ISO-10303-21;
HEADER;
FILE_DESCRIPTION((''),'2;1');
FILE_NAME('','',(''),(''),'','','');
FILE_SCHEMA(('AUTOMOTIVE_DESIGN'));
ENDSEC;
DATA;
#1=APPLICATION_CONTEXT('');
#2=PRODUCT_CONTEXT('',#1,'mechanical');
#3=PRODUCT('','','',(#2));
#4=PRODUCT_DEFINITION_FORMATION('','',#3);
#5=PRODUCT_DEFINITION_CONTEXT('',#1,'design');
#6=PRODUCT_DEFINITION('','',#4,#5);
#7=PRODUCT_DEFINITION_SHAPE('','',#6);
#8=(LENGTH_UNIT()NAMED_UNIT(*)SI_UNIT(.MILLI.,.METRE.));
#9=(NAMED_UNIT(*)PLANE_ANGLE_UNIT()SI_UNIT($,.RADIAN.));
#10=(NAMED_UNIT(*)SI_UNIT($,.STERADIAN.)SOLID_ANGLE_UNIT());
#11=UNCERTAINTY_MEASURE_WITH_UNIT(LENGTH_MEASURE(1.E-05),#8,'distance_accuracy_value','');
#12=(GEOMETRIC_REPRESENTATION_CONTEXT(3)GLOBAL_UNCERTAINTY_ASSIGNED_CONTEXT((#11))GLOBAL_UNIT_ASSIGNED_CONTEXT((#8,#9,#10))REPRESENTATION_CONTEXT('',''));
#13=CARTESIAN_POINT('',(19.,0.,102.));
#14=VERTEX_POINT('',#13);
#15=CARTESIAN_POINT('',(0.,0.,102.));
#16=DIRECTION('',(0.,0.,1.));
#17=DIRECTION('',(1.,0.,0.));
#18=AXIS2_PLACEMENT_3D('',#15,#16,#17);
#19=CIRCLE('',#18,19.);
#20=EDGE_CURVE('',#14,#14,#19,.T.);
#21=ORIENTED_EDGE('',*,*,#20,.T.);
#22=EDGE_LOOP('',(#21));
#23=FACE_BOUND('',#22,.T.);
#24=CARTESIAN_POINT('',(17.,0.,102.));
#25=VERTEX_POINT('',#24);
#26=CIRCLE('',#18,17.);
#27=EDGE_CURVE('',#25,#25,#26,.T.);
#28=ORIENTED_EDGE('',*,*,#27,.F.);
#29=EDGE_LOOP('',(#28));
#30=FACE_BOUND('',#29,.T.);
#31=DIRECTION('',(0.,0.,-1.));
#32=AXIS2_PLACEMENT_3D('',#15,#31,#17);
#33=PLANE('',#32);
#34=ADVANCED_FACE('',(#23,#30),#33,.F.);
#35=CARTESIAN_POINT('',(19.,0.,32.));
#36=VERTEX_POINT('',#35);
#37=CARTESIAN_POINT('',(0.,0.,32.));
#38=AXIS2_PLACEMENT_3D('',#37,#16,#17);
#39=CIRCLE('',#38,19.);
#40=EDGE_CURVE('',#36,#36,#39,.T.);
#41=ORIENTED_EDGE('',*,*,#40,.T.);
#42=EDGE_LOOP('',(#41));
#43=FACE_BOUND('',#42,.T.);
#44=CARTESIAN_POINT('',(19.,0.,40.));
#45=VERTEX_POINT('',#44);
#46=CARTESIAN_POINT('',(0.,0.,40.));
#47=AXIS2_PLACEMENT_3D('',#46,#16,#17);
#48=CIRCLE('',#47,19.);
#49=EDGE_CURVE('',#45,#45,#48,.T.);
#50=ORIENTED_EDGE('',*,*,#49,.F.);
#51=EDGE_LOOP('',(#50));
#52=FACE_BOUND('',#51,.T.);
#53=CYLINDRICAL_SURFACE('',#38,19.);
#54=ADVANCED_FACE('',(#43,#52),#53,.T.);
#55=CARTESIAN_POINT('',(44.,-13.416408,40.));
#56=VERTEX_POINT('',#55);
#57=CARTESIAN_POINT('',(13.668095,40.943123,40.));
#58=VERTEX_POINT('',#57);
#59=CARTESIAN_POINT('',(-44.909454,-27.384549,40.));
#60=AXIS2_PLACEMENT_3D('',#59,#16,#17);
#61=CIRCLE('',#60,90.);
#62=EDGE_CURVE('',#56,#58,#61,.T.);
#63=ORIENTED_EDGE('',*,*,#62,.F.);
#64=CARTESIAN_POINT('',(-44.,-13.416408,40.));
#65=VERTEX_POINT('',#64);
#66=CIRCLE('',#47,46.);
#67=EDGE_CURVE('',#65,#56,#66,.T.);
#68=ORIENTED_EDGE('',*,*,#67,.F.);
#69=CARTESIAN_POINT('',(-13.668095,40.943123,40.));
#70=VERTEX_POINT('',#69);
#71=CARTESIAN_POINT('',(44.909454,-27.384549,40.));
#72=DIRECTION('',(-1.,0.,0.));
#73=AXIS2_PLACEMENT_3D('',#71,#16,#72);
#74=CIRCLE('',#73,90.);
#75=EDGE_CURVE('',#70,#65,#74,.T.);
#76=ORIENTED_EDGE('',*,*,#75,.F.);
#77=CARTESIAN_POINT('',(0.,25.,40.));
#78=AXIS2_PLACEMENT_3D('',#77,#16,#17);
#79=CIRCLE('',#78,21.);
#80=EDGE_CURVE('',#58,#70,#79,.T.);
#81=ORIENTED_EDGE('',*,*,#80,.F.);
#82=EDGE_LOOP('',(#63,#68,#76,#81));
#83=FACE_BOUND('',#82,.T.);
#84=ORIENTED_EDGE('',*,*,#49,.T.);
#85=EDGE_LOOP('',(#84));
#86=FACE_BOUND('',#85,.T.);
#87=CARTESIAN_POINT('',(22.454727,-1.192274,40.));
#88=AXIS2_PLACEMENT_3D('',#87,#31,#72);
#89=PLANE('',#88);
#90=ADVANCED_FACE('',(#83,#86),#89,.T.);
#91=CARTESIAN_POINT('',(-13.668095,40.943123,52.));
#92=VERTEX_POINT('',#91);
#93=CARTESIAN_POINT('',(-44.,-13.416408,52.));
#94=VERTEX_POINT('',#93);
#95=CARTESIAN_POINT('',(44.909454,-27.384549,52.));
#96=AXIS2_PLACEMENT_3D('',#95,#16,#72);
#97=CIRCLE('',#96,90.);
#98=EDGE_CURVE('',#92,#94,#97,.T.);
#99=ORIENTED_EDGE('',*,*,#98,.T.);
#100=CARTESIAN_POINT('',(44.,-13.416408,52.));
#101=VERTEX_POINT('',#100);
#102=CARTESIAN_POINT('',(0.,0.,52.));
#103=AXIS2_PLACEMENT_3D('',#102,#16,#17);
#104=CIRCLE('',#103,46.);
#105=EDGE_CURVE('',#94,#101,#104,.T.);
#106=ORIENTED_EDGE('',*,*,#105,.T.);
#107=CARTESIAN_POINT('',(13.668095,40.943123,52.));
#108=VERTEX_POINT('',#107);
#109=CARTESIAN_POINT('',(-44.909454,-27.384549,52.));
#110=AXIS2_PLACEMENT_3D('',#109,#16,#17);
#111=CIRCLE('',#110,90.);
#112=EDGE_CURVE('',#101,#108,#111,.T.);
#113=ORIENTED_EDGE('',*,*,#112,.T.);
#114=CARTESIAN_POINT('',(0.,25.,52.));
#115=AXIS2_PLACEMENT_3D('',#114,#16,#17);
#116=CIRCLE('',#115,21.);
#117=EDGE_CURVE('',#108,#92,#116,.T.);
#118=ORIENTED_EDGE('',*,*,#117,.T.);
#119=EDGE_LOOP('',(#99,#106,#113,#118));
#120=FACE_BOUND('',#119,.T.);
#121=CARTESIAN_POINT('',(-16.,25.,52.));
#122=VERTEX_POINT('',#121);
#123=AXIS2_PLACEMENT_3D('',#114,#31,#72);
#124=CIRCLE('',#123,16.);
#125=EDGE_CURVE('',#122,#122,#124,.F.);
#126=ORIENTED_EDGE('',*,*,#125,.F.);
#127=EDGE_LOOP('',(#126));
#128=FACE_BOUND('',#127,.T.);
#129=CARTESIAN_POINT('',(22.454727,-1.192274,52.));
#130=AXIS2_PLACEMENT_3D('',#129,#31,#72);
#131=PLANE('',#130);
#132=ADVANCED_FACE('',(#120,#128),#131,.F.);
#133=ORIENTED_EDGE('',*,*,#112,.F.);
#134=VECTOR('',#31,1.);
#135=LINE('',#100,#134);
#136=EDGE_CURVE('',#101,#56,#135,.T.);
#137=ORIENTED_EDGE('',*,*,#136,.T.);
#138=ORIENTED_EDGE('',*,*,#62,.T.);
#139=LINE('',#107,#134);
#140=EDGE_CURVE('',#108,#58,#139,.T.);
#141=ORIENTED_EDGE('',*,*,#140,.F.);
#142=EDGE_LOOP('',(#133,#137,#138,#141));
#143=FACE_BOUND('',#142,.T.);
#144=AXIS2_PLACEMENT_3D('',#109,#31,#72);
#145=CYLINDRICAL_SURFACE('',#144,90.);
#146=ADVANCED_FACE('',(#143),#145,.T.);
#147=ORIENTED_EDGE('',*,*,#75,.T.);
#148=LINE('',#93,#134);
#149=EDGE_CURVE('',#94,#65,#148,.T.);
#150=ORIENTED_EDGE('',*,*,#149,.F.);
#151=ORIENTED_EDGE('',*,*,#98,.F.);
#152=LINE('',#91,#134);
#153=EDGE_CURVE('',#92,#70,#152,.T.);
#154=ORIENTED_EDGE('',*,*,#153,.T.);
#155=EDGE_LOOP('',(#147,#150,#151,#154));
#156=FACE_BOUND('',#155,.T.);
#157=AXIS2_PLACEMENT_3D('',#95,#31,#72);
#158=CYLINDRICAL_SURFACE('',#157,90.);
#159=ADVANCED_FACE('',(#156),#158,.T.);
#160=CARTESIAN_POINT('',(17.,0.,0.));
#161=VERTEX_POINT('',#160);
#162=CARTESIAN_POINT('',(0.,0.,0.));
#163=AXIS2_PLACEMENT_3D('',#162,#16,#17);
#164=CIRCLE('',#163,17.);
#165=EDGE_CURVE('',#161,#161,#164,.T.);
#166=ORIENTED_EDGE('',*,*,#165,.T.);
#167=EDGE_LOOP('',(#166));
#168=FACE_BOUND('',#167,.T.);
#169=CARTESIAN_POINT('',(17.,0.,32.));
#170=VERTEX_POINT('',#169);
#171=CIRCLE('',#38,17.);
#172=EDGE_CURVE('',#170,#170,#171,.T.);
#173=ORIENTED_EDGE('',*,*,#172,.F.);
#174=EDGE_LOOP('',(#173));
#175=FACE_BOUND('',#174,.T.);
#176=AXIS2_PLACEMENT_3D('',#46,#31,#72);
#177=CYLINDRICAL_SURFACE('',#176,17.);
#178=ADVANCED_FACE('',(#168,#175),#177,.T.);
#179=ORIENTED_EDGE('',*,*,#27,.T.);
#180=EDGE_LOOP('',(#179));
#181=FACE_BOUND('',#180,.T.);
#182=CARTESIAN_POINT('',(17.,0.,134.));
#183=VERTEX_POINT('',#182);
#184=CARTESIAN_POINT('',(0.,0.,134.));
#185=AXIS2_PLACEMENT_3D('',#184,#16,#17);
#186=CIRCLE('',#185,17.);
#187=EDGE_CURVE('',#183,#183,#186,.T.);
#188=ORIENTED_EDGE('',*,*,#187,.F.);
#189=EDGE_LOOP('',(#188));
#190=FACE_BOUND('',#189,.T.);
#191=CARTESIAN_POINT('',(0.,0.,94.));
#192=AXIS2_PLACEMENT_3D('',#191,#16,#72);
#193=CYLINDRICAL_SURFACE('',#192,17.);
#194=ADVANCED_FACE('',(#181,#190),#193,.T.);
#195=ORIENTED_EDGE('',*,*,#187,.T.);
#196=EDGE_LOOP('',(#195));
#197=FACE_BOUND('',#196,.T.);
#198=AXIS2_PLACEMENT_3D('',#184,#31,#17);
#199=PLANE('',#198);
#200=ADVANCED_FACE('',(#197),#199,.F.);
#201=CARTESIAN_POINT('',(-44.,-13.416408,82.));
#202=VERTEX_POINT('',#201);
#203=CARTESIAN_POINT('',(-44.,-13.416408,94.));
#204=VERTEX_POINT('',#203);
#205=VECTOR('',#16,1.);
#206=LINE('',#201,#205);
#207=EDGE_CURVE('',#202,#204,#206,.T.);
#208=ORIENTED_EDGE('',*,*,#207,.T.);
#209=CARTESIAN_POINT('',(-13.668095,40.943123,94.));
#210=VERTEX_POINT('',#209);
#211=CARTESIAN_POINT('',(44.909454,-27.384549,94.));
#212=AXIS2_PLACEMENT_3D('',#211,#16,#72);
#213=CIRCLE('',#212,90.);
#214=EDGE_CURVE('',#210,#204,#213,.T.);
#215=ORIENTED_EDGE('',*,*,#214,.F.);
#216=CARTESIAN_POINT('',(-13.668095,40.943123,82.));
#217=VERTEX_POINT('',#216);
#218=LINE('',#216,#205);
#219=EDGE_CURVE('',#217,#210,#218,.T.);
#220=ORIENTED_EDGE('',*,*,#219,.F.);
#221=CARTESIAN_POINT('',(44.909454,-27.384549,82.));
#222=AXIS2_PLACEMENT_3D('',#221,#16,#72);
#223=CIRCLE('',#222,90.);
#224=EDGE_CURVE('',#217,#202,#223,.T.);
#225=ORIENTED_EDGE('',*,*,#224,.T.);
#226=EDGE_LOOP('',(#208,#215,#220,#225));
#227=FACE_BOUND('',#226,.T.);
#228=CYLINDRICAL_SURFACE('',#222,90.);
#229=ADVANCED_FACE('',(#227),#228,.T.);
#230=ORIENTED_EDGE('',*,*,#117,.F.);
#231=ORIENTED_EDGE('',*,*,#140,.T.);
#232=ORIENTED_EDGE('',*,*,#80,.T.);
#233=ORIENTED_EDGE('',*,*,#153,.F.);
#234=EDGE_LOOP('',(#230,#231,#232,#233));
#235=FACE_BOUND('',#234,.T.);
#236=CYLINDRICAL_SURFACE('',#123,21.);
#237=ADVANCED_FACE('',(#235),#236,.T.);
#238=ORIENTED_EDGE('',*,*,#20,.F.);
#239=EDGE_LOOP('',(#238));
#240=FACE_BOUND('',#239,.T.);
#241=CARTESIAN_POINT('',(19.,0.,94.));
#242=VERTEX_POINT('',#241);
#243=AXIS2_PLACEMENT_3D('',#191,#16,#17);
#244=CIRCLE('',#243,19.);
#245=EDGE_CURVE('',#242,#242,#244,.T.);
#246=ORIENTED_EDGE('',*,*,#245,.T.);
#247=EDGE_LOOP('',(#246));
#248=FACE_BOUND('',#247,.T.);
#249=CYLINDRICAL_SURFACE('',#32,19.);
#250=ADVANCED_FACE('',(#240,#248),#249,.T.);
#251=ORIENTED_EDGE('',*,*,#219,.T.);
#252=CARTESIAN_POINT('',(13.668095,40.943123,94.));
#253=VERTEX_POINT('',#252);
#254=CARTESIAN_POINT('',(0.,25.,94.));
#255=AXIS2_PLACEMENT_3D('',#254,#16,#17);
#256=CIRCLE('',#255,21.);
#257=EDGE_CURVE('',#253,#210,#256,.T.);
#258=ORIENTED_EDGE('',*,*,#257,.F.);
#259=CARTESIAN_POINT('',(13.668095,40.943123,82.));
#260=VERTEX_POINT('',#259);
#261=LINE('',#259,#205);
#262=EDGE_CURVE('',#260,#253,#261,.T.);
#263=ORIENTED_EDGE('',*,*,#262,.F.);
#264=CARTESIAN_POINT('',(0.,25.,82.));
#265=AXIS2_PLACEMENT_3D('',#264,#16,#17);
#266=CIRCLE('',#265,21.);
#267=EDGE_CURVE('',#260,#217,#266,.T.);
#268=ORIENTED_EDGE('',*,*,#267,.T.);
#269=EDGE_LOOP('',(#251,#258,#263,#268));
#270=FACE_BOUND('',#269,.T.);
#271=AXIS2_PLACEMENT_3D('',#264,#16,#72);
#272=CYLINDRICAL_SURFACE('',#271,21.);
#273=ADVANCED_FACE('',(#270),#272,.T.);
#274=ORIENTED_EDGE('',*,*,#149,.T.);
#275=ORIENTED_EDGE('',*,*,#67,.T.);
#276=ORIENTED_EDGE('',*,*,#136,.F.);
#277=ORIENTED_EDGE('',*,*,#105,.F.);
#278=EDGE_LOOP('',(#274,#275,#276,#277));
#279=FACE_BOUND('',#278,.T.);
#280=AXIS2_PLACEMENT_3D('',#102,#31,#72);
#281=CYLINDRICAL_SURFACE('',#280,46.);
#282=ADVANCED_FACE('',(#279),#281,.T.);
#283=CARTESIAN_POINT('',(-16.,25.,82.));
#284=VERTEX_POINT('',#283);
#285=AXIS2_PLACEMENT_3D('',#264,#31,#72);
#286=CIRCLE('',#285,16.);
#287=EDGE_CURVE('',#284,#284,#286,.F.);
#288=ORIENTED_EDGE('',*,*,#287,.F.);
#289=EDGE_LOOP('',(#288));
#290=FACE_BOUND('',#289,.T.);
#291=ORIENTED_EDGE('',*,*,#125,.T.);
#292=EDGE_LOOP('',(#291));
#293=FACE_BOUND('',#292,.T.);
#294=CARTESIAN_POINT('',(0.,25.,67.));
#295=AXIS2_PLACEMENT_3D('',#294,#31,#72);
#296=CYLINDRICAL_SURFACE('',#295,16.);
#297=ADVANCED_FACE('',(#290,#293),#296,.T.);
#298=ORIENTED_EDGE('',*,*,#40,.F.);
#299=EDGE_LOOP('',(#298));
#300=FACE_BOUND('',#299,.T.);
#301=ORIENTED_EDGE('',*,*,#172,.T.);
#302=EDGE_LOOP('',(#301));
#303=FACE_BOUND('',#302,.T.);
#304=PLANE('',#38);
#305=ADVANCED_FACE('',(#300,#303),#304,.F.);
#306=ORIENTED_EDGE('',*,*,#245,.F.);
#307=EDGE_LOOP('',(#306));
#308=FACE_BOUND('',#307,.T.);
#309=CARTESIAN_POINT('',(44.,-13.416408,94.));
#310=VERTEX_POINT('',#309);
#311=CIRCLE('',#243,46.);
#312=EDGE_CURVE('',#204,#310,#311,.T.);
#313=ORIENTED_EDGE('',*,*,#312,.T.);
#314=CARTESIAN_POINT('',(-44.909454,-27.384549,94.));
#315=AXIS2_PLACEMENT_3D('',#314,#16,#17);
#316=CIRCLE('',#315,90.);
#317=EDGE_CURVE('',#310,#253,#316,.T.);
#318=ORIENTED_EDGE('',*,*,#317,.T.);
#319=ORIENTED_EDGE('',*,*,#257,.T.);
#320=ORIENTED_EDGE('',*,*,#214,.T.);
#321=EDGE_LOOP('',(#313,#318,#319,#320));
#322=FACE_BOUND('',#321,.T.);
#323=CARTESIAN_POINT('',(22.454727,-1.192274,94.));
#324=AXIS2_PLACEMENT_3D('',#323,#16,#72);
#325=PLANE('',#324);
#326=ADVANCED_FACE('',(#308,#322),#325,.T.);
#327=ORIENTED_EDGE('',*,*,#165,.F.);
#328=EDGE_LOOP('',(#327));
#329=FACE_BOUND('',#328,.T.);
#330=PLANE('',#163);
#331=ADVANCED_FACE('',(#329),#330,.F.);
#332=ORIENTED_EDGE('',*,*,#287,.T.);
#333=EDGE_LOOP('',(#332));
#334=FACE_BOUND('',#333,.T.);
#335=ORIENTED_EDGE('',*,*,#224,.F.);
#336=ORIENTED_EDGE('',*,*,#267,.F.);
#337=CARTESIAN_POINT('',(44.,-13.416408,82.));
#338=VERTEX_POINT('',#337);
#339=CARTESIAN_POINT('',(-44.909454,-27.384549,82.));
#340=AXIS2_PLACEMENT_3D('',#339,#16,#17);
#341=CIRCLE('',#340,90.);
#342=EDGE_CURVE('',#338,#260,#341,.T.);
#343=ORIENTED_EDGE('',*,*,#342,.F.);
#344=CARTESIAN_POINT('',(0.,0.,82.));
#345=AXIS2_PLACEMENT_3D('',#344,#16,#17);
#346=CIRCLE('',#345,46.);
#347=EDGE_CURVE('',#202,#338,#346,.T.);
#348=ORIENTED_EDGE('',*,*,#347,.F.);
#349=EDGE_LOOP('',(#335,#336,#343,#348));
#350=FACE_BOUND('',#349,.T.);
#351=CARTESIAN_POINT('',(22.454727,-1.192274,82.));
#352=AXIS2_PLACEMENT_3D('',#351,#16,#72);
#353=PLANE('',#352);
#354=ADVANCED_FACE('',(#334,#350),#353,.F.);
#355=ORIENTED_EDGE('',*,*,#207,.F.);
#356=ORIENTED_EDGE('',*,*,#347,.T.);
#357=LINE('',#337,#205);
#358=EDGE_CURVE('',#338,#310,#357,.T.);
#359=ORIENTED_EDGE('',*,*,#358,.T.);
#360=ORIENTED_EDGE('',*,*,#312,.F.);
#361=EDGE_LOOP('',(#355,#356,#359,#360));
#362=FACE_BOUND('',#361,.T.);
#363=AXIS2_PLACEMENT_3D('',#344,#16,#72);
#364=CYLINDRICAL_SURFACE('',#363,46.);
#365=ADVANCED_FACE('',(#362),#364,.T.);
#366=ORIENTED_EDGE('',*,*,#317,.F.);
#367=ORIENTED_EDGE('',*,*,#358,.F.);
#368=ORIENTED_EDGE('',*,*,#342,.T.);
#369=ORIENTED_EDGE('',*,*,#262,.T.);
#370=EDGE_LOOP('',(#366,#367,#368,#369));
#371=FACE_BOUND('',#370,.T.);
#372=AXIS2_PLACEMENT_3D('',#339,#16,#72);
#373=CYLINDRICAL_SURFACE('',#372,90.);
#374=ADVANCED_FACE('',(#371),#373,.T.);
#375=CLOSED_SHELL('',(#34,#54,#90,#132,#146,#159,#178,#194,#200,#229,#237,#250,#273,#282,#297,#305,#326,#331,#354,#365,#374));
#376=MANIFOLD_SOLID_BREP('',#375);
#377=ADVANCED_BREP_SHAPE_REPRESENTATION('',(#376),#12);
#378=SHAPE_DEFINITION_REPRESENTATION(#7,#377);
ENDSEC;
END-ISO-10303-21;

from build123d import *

# Parameters (mm, degrees)
SKETCH3_R           = 17
BOSS_EXTRUDE1_DEPTH = 40
SKETCH6_R           = 19
BOSS_EXTRUDE2_DEPTH = 8
BOSS_EXTRUDE3_DEPTH = 12
SKETCH8_R           = 16
BOSS_EXTRUDE4_DEPTH = 15


with BuildPart() as part:
    # Sketch3 → Boss-Extrude1 (new body)
    with BuildSketch(Plane.XY):
        Circle(SKETCH3_R)
    extrude(amount=BOSS_EXTRUDE1_DEPTH)

    # Sketch6 → Boss-Extrude2 (add)
    with BuildSketch(Plane.XY.offset(40)):
        Circle(SKETCH6_R)
    extrude(amount=-BOSS_EXTRUDE2_DEPTH)

    # Sketch7 → Boss-Extrude3 (add)
    with BuildSketch(Plane.XY.offset(40)):
        with BuildLine():
            ThreePointArc((-44, -13.416407865), (0, -46), (44, -13.416407865))
            ThreePointArc((44, -13.416407865), (33.683444249, 16.469257624), (13.668094758, 40.943123461))
            ThreePointArc((13.668094758, 40.943123461), (0, 46), (-13.668094758, 40.943123461))
            ThreePointArc((-13.668094758, 40.943123461), (-33.683444249, 16.469257624), (-44, -13.416407865))
        make_face()
    extrude(amount=BOSS_EXTRUDE3_DEPTH)

    # Sketch8 → Boss-Extrude4 (add)
    with BuildSketch(Plane.XY.offset(52)):
        with Locations(Location((0, 25, 0), (0, 0, 180))):
            Circle(SKETCH8_R)
    extrude(amount=BOSS_EXTRUDE4_DEPTH)

    # Mirror2: part across plane


with BuildPart() as part_1:
    add(part.part)
    add(part.part.mirror(Plane(origin=(0, 25, 67), x_dir=(1, 0, 0), z_dir=(0, 0, 1))))


solid = part_1.part
